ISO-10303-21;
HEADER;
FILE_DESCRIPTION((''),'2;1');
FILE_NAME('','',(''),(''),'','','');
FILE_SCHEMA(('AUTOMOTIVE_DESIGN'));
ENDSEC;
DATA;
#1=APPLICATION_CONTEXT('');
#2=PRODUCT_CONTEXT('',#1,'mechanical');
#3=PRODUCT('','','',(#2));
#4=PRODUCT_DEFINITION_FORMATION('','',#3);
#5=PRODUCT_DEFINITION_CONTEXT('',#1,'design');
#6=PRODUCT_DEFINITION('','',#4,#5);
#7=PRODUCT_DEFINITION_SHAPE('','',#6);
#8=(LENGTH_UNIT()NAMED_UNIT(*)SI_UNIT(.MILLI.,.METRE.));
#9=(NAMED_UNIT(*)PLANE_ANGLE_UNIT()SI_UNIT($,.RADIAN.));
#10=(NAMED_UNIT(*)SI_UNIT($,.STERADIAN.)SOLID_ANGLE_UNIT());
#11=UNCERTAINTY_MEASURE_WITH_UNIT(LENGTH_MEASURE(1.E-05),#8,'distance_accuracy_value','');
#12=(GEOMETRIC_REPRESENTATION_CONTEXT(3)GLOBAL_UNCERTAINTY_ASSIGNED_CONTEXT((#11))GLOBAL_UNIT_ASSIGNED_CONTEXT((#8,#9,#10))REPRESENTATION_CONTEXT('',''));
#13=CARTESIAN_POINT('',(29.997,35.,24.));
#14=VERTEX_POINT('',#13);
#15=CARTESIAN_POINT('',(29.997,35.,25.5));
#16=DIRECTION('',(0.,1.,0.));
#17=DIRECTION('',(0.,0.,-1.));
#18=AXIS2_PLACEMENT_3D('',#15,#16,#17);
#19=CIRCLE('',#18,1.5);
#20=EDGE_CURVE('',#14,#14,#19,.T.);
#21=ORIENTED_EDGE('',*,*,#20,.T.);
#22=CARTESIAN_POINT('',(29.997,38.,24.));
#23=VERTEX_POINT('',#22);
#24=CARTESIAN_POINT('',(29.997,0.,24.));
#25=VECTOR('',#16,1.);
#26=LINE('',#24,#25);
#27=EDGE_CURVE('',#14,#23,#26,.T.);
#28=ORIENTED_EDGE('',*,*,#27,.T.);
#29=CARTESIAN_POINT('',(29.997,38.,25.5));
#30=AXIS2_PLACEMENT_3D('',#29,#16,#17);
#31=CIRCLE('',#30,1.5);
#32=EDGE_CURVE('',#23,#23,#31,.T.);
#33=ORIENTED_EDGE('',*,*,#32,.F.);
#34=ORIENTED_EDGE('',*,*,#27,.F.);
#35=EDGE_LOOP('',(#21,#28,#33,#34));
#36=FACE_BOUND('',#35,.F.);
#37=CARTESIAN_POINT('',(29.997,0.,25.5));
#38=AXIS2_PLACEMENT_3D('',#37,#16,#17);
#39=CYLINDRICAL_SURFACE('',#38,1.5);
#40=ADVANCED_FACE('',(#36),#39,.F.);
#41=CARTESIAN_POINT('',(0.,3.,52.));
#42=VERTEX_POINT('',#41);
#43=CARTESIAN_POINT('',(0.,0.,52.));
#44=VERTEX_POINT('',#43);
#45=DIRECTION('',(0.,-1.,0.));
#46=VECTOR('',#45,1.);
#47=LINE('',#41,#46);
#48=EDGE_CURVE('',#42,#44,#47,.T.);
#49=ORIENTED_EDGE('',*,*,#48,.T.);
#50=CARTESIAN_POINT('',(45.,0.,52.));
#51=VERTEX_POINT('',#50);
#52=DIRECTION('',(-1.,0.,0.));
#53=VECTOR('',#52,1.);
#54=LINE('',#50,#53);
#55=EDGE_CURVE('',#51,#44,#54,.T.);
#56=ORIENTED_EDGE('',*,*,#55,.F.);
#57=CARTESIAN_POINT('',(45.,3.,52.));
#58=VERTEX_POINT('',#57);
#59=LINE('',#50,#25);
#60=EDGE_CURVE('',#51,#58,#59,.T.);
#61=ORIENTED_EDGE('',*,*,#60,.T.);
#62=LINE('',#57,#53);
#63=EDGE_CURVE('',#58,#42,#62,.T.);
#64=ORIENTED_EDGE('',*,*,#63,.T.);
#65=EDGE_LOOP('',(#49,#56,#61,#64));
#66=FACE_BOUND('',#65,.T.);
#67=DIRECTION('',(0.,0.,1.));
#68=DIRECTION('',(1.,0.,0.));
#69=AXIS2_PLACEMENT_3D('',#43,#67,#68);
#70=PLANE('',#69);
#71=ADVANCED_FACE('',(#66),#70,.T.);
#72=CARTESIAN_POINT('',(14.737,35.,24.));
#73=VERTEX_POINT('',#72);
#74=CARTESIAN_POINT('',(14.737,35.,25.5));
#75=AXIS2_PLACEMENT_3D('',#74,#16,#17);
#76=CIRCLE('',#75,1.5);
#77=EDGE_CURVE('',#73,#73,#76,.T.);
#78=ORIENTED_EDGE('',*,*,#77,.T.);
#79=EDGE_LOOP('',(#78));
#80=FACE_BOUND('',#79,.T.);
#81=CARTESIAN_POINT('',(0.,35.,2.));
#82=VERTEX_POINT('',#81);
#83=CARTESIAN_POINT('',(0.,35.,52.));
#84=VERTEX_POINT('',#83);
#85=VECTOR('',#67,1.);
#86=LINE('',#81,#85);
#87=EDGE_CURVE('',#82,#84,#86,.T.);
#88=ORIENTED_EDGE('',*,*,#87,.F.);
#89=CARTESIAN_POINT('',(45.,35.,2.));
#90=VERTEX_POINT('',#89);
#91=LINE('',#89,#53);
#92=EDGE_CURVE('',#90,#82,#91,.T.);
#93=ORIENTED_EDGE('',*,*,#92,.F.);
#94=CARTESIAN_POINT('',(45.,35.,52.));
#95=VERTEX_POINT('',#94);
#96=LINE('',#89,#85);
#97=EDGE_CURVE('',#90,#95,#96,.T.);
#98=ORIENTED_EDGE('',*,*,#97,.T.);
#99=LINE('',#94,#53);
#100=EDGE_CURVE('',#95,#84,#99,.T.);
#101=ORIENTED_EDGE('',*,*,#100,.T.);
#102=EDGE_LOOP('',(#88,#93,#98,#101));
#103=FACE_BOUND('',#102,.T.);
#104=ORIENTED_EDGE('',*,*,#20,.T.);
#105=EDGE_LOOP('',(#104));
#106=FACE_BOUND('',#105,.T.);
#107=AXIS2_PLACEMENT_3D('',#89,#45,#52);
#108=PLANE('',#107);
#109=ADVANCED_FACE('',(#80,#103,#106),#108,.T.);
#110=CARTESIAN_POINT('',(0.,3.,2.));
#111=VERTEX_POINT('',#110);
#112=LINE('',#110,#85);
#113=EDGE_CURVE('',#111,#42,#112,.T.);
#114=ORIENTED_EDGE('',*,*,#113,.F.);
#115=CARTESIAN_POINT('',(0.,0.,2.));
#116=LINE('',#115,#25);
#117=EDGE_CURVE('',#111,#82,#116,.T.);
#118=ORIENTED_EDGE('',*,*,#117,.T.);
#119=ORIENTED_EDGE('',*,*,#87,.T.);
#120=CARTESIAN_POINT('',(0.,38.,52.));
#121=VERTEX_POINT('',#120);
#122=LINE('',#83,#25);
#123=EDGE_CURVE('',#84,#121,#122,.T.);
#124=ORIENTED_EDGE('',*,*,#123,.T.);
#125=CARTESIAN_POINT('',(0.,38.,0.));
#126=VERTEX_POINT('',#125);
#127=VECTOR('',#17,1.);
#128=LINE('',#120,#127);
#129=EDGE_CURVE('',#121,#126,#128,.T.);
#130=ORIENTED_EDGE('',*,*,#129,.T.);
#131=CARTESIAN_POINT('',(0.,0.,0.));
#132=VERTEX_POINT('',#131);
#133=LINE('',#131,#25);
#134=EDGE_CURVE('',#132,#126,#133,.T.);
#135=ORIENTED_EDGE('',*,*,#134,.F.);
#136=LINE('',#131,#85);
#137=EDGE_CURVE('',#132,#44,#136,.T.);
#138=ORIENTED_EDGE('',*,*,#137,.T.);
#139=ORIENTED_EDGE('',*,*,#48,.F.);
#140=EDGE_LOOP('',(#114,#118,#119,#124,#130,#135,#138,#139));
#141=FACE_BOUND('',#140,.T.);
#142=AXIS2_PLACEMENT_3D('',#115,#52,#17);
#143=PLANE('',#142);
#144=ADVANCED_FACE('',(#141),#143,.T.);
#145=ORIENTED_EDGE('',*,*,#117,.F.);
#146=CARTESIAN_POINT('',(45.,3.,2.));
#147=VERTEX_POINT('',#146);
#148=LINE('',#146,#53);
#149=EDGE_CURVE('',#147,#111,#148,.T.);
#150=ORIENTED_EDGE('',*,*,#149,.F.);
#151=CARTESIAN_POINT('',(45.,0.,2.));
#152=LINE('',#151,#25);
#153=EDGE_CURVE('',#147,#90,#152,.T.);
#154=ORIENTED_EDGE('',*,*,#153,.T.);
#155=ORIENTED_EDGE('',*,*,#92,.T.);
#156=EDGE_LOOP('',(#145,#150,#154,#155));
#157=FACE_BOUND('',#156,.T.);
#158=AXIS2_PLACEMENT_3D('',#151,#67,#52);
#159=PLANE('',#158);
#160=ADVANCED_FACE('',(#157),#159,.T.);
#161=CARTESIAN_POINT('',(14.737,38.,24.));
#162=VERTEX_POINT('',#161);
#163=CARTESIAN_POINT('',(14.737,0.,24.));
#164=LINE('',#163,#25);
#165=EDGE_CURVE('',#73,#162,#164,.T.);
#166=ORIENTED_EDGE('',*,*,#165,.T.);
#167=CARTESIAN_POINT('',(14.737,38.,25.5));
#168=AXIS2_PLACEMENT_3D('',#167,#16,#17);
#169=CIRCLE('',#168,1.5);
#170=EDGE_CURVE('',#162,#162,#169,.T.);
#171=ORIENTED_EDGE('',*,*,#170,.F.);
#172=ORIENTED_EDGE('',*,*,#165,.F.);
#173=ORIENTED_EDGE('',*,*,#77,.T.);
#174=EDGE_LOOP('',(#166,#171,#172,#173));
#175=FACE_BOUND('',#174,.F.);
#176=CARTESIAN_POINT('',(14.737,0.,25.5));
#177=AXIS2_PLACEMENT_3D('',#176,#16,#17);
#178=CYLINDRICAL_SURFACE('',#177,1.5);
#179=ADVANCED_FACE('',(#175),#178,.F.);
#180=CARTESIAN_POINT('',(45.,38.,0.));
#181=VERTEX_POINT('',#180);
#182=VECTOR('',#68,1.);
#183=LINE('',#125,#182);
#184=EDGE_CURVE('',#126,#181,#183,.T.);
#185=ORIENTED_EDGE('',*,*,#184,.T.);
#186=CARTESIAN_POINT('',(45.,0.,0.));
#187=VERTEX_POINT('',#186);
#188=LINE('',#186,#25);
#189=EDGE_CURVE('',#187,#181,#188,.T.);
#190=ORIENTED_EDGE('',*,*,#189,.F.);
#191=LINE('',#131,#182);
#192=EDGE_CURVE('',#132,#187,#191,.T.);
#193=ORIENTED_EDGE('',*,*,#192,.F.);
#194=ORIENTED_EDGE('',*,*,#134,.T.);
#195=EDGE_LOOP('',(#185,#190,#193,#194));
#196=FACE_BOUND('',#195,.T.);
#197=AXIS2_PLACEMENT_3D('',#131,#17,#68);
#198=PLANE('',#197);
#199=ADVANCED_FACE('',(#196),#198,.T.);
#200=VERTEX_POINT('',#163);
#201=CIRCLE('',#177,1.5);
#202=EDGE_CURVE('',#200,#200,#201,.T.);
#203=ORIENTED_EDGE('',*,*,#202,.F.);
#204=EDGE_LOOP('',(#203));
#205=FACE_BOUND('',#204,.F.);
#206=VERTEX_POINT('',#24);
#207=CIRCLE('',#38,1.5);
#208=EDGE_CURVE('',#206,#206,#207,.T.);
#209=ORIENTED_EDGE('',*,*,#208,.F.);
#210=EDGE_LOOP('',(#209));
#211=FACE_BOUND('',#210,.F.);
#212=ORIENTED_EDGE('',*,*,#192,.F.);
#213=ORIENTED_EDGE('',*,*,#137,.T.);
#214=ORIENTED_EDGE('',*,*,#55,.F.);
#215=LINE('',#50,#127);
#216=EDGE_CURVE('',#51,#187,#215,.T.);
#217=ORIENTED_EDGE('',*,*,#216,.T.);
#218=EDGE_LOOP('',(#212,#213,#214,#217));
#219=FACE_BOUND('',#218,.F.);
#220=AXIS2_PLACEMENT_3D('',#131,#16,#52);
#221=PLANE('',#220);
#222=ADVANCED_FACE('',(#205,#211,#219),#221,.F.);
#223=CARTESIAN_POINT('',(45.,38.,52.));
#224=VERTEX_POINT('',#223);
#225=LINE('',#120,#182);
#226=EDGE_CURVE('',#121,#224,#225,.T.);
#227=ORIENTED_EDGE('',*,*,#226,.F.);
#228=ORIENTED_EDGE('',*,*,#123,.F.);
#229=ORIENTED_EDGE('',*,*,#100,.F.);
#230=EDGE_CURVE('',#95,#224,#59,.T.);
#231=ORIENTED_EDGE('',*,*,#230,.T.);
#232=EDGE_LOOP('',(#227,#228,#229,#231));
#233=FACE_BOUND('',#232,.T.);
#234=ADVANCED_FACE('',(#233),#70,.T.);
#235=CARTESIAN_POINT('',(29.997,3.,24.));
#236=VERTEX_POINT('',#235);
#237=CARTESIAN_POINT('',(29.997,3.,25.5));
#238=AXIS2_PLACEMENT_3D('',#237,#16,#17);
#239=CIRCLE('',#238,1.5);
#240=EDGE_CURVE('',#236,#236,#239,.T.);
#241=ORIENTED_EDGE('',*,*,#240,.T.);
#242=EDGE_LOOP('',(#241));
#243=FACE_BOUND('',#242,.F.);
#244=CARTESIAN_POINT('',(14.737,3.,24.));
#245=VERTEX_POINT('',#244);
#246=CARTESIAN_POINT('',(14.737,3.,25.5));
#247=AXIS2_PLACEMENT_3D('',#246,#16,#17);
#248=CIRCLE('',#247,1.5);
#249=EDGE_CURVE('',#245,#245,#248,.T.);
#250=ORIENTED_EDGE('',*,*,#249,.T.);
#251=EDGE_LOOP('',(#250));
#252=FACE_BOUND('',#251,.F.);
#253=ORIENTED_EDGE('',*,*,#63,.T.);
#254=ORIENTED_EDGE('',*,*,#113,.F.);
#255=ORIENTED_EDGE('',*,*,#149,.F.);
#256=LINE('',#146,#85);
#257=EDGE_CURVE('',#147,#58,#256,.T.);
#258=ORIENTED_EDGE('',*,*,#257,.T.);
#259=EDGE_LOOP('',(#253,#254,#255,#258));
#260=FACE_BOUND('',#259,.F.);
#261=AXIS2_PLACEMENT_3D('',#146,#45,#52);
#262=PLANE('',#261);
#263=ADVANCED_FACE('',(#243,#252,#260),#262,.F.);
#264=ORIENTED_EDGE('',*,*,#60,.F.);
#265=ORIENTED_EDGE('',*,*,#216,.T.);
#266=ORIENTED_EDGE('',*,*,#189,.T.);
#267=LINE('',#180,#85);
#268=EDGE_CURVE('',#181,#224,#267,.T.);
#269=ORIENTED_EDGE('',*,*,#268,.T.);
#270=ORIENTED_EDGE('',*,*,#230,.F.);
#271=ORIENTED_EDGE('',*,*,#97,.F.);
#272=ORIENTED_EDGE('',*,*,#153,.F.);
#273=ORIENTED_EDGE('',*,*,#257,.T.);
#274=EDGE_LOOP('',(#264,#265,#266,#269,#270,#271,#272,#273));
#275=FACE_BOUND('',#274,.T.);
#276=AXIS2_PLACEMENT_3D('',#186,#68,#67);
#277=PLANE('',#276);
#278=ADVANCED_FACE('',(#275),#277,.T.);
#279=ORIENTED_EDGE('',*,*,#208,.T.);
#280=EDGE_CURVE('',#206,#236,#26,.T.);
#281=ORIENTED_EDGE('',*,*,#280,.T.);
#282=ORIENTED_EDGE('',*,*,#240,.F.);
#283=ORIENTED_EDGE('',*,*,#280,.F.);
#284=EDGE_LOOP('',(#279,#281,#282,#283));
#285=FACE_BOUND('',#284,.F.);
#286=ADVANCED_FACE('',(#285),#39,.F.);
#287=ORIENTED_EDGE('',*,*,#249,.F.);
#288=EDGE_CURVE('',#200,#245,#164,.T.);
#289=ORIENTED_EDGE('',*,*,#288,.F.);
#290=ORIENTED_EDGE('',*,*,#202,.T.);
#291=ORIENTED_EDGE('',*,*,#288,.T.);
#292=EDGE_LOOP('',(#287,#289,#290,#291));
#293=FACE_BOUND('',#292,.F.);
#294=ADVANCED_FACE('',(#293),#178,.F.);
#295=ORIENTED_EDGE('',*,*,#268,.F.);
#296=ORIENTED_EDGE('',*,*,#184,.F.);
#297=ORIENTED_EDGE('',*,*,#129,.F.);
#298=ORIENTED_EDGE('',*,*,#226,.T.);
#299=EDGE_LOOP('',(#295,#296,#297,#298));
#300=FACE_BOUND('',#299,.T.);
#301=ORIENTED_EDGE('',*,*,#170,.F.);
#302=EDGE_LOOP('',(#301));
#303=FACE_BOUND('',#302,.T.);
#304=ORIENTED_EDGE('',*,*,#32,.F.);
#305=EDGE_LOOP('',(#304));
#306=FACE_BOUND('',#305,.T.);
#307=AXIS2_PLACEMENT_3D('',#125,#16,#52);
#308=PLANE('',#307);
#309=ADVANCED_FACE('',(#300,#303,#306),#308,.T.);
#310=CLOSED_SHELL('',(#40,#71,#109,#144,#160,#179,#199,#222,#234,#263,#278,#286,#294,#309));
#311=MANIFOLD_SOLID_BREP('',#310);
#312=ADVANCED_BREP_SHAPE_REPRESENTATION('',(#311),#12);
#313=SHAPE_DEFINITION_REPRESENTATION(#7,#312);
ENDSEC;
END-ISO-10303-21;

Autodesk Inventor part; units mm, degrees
ref_plane "YZ Plane" through (0, 0, 0) normal (1, 0, 0) x (0, 1, 0)
ref_plane "XZ Plane" through (0, 0, 0) normal (0, 1, 0) x (-1, 0, 0)
ref_plane "XY Plane" through (0, 0, 0) normal (0, 0, 1) x (1, 0, 0)
sketch "スケッチ1" plane through (0, 0, 0) normal (0, 1, 0) x (-1, 0, 0)
  line L0 (0, 0) -> (-45, 0)
  line L1 (-45, 0) -> (-45, 2)
  line L2 (-45, 2) -> (0, 2)
  line L3 (0, 2) -> (0, 0)
  dimension "d0" = 45
  dimension "d1" = 2
extrude "押し出し1" add sketch "スケッチ1" along normal blind 38
sketch "スケッチ2" plane through (0, 0, 2) normal (0, 0, 1) x (1, 0, 0)
  line L0 (45, 0) -> (0, 0) projected
  line L1 (45, 0) -> (45, 38) projected
  line L2 (0, 38) -> (45, 38)
  line L3 (45, 38) -> (45, 35)
  line L4 (45, 35) -> (0, 35)
  line L5 (0, 35) -> (0, 38)
  line L6 (0, 0) -> (45, 0)
  line L7 (45, 0) -> (45, 3)
  line L8 (45, 3) -> (0, 3)
  line L9 (0, 3) -> (0, 0)
  dimension "d4" = 3
  dimension "d5" = 3
extrude "押し出し2" add sketch "スケッチ2" along normal blind 50
sketch "スケッチ3" plane through (0, 38, 0) normal (0, 1, 0) x (1, 0, 0)
  line L0 (45, 0) -> (0, 0) projected
  line L1 (0, 0) -> (0, -52) projected
  line L2 (45, -52) -> (0, -52) projected
  line L3 (45, 0) -> (45, -52) projected
sketch "スケッチ4" plane through (0, 0, 0) normal (0, -1, 0) x (1, 0, 0)
  line L0 (0, 0) -> (45, 0) projected
  line L1 (14.737, 0) -> (29.997, 0)
  line L2 (29.997, 0) -> (29.997, 25.5)
  line L3 (29.997, 25.5) -> (14.737, 25.5)
  line L4 (14.737, 25.5) -> (14.737, 0)
  dimension "d8" = 15.26
  dimension "d9" = 25.5
hole "穴1" at (14.737, 0, 25.5) at (29.997, 0, 25.5) direction (0, 1, 0) diameter 3 depth 40 tip angle 118
properties part number "知能ロボコンギアボックス１"
